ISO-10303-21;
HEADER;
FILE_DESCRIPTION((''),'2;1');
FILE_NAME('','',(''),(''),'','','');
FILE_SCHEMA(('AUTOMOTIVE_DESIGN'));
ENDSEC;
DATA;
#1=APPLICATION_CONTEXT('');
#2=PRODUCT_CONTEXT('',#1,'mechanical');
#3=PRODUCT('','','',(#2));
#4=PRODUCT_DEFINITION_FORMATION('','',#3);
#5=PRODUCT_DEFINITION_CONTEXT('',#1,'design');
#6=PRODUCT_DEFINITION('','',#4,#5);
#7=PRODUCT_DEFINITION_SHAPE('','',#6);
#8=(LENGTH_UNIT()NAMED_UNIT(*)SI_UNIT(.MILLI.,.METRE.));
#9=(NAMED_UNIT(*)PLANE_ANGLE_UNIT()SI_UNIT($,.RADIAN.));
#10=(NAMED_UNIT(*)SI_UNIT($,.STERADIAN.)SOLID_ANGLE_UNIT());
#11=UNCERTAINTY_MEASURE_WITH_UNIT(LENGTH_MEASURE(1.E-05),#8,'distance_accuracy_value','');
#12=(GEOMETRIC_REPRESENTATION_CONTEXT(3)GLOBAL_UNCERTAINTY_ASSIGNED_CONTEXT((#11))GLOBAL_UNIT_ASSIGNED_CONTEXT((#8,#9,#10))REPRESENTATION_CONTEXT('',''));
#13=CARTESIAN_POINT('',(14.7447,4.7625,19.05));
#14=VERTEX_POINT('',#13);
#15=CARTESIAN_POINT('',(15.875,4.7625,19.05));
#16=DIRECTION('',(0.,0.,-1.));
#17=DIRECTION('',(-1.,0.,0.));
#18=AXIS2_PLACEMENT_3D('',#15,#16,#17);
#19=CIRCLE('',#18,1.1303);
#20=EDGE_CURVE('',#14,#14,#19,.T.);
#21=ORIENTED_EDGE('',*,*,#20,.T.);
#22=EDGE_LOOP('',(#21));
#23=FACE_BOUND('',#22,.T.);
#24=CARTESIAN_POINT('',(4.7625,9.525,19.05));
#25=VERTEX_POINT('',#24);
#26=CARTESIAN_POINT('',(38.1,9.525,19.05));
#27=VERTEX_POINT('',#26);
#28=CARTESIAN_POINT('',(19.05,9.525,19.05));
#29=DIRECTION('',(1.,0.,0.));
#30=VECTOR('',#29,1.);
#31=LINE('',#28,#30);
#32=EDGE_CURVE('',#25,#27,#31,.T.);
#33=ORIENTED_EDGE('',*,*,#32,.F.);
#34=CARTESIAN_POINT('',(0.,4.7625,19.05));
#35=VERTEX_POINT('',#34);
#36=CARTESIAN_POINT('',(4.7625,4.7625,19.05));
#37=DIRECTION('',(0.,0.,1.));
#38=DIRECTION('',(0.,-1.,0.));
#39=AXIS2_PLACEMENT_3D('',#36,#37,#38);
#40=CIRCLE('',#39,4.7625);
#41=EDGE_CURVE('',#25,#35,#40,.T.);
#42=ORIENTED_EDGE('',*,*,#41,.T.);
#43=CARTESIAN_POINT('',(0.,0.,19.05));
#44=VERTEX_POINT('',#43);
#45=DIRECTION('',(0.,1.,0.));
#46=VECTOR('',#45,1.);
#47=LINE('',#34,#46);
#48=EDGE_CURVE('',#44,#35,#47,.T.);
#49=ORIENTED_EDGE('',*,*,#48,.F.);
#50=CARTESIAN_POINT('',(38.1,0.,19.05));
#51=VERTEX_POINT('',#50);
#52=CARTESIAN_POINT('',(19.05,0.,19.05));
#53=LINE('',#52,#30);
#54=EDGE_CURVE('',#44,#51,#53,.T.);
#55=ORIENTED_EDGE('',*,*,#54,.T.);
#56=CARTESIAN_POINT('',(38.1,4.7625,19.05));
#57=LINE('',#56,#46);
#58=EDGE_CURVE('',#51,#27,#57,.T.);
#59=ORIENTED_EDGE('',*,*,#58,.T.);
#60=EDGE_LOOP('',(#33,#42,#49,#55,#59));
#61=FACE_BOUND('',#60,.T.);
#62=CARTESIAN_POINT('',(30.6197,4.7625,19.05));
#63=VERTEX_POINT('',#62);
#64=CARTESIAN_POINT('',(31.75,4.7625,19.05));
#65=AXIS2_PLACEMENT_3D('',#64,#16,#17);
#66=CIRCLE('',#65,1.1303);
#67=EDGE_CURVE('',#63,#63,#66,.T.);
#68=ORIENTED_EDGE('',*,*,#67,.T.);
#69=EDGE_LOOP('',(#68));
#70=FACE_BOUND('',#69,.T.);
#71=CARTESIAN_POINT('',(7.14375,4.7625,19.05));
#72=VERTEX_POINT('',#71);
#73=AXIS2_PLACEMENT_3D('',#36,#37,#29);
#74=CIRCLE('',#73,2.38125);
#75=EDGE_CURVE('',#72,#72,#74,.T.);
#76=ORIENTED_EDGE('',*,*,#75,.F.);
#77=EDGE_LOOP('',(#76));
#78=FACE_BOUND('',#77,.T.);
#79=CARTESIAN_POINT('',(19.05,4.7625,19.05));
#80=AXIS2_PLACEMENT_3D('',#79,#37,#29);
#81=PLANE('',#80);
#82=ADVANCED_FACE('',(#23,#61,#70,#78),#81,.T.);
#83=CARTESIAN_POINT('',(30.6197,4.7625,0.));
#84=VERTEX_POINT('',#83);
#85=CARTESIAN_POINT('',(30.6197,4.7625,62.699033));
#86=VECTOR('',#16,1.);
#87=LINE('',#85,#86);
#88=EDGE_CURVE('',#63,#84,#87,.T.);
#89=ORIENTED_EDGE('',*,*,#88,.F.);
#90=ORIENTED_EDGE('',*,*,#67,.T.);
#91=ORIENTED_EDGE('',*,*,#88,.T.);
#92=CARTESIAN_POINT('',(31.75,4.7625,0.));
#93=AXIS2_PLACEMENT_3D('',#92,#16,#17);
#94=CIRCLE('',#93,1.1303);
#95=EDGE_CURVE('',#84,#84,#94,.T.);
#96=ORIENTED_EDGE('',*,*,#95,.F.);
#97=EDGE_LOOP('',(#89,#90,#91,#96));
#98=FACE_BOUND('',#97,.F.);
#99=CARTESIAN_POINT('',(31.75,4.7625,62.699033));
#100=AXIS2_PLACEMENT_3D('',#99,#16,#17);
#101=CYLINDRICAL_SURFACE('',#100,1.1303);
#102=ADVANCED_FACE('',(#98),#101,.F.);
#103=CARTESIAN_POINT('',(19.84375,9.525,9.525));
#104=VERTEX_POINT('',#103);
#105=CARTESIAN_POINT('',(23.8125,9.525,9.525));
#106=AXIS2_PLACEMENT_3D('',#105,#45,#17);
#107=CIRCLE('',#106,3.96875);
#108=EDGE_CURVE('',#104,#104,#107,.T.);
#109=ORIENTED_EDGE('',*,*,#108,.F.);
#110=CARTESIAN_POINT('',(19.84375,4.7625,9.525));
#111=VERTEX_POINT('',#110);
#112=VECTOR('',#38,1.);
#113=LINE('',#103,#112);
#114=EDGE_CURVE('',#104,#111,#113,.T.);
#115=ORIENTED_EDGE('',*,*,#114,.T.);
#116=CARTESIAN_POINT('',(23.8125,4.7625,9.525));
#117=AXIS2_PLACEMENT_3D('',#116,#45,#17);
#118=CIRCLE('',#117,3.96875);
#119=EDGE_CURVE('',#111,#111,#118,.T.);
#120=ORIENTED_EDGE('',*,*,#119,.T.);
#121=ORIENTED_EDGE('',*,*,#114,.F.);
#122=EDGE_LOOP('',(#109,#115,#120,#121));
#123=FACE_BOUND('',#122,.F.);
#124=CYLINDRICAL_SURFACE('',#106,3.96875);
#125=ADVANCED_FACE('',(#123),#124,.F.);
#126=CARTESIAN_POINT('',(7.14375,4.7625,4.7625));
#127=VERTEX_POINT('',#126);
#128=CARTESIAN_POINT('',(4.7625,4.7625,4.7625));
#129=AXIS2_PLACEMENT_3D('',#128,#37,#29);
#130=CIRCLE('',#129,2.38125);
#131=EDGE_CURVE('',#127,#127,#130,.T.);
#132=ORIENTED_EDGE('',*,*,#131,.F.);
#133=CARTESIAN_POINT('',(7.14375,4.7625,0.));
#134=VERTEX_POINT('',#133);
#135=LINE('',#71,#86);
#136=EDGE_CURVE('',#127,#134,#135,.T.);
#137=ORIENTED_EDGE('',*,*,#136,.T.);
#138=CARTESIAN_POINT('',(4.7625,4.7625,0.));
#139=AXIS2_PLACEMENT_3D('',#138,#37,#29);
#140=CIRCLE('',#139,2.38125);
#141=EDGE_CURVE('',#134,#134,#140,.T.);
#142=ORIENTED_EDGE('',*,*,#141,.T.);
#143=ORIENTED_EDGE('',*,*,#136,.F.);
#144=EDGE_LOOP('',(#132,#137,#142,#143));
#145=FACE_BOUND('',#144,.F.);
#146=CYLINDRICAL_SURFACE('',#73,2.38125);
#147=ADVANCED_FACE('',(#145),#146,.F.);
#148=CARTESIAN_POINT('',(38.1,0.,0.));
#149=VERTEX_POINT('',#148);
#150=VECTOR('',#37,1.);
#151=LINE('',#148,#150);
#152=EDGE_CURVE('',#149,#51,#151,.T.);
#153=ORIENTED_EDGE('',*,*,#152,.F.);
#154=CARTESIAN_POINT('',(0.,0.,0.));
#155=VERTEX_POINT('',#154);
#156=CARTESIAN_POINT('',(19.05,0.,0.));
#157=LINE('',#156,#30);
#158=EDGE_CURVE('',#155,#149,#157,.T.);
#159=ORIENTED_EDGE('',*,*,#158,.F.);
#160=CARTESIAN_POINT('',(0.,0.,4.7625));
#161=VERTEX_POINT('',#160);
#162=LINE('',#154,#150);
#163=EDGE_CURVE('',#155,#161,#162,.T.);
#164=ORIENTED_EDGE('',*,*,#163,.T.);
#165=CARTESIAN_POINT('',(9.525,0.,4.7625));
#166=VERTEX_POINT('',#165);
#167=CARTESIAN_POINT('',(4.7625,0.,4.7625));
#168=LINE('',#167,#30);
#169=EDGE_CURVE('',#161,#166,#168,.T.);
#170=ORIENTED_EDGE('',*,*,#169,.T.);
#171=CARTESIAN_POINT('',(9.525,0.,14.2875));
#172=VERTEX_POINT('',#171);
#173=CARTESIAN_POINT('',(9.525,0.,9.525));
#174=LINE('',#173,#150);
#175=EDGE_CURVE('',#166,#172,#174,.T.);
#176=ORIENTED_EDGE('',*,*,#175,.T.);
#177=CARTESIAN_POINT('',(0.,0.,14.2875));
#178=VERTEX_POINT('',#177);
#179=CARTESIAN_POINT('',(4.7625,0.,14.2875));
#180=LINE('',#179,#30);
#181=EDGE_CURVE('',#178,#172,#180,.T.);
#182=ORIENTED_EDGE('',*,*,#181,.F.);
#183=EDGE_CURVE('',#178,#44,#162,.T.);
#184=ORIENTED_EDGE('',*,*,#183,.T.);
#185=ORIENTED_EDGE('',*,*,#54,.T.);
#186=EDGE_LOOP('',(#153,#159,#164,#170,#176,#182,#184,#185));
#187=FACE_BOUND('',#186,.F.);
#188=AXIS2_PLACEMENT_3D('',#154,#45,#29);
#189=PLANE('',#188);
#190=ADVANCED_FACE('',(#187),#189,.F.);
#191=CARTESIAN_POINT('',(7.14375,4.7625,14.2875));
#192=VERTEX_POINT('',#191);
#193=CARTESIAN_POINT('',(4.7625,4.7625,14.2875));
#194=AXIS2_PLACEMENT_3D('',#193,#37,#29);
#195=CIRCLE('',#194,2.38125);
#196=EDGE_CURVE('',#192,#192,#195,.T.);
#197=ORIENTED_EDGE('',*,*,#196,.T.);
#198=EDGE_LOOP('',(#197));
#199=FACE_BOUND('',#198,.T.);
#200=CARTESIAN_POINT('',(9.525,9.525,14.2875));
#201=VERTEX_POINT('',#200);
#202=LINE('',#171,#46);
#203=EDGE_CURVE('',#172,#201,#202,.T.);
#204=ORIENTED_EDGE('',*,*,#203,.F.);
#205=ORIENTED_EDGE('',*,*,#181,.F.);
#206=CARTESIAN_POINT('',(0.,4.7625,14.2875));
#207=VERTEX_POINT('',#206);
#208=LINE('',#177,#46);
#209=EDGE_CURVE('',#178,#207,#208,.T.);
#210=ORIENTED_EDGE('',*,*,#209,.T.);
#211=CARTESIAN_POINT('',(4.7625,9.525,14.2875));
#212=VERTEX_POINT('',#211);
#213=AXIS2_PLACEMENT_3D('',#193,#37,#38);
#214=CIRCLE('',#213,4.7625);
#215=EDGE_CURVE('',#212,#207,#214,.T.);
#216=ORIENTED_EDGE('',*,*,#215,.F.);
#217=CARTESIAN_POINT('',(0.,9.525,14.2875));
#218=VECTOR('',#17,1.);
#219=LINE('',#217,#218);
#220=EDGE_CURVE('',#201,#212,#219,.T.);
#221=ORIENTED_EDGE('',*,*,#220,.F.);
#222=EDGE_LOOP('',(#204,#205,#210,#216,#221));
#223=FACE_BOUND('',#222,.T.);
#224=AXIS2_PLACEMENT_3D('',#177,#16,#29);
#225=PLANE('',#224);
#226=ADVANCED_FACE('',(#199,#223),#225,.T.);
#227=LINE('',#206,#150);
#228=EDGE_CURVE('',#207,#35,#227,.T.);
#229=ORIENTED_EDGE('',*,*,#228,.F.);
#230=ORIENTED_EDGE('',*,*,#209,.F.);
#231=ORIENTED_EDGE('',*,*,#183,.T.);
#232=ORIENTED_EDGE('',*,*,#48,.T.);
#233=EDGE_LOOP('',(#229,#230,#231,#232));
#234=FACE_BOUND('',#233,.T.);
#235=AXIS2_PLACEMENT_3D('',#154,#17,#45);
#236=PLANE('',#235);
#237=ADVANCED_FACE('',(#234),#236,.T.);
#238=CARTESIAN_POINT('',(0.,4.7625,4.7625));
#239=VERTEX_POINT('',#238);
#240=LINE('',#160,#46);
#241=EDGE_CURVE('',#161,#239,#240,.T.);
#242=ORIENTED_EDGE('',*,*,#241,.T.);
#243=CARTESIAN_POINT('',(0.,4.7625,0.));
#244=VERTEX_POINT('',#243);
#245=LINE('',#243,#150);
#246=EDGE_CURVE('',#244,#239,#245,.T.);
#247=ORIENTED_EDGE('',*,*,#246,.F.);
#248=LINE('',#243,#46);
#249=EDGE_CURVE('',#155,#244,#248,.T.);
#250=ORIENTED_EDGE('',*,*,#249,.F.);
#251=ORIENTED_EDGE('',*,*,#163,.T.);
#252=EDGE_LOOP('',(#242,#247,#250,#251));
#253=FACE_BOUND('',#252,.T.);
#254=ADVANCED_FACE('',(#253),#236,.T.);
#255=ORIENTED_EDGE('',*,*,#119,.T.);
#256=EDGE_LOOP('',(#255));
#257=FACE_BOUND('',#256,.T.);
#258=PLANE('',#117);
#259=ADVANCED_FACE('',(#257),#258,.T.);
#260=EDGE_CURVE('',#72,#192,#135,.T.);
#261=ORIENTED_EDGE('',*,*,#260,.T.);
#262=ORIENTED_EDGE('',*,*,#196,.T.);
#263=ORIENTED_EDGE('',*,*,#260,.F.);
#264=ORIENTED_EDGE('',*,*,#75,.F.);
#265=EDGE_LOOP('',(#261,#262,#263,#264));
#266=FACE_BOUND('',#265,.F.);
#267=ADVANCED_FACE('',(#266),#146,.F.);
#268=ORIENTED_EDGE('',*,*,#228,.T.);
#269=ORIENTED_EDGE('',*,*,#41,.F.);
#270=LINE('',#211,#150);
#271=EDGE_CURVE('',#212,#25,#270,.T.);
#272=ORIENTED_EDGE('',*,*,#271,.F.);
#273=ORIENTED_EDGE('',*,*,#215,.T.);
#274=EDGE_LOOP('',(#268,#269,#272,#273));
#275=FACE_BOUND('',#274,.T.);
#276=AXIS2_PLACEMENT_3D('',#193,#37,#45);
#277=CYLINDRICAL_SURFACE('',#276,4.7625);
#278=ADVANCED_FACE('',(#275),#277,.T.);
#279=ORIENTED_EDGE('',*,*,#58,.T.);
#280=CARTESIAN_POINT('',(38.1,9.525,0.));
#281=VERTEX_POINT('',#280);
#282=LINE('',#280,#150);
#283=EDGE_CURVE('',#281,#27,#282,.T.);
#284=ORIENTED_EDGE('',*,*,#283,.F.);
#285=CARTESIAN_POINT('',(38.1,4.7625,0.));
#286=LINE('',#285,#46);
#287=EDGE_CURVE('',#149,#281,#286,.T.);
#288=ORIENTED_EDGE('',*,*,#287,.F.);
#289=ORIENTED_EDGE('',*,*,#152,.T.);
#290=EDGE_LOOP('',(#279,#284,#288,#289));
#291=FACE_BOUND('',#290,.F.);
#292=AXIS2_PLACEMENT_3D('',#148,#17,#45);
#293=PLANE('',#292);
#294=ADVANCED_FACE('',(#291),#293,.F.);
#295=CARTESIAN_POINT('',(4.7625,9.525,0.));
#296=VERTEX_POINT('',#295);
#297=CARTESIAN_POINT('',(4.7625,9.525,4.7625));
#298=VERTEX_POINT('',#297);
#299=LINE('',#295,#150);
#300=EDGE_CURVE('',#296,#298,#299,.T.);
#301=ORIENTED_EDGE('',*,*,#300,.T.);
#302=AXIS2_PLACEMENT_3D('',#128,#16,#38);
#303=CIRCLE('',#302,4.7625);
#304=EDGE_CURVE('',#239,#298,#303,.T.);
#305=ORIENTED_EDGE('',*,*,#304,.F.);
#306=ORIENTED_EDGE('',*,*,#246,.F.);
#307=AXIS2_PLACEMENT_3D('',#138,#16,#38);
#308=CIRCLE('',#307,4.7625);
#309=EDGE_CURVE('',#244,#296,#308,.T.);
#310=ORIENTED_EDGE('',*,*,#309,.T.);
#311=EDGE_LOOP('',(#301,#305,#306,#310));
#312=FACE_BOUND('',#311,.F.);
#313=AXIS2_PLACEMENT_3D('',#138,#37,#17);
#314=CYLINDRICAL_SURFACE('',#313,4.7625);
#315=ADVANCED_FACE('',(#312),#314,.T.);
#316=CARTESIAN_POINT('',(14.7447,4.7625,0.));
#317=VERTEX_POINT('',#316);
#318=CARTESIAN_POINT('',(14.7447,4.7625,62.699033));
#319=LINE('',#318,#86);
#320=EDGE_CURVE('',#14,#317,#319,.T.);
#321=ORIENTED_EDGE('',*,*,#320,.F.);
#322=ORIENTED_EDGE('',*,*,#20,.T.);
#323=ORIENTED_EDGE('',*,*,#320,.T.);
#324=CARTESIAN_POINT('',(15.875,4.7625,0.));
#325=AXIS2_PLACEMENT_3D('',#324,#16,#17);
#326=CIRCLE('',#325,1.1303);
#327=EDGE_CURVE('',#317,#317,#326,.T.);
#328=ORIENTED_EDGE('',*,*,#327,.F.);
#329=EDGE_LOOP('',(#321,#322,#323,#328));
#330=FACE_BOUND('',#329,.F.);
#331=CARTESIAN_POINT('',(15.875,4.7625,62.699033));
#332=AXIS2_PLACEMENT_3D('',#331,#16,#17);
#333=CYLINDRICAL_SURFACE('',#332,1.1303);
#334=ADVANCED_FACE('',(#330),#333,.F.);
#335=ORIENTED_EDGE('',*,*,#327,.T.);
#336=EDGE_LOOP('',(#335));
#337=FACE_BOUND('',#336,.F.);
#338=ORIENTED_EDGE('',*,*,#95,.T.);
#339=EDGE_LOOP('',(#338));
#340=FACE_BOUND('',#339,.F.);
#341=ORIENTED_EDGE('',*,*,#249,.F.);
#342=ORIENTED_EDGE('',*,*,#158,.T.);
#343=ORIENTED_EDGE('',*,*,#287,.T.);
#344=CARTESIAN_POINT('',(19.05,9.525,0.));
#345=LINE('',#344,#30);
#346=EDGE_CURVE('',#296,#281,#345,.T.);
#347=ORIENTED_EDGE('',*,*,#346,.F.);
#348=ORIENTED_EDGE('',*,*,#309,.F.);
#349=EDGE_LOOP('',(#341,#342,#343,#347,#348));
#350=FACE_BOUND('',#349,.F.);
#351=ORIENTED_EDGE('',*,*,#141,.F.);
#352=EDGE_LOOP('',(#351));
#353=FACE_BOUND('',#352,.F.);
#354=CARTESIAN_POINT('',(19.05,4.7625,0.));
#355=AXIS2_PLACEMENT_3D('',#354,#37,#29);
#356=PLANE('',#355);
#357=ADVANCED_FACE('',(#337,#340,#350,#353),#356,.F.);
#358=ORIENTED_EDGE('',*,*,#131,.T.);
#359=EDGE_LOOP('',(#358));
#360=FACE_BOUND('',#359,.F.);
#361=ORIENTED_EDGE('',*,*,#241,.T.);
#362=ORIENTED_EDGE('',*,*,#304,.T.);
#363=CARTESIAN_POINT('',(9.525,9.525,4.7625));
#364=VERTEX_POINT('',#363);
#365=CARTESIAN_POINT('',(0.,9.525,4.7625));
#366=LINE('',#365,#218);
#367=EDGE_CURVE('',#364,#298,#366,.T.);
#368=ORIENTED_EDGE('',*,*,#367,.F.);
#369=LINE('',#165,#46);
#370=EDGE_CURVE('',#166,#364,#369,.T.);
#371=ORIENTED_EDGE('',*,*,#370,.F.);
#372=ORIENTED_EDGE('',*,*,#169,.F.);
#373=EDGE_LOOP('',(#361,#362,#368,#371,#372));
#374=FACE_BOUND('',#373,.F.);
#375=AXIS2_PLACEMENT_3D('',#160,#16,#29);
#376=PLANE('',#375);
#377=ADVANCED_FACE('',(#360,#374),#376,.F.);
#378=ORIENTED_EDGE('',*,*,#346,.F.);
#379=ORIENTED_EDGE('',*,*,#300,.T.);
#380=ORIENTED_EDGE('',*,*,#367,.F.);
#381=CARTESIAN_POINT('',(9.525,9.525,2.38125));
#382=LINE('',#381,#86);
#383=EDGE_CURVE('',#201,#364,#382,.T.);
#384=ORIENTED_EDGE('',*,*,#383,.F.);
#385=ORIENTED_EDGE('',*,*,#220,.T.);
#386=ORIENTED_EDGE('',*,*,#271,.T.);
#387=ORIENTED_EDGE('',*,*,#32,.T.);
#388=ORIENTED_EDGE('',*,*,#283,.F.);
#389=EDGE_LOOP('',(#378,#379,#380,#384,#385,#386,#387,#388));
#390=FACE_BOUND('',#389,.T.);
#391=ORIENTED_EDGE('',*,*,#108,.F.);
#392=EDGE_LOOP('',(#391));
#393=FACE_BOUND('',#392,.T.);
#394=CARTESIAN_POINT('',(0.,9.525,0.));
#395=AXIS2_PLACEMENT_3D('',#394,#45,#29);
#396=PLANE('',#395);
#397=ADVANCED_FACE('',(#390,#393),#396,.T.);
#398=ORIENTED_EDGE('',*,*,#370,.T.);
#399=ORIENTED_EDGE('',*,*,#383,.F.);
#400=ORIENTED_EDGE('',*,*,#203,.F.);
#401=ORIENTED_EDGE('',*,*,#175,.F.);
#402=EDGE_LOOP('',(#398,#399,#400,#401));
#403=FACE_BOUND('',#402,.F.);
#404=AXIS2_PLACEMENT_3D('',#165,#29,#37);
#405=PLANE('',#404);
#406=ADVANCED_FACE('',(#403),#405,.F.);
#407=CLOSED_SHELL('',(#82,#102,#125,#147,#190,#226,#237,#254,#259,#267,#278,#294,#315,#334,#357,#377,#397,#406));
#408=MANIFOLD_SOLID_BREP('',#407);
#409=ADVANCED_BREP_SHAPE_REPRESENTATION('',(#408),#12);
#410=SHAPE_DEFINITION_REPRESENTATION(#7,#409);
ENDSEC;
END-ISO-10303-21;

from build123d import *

# Parameters (mm, degrees)
F0_W      = 38.1
F0_H      = 9.525
F1_DEPTH  = 19.05
F3_D      = 2.2606
F4_W      = 9.525
F4_H      = 9.525
F5_DEPTH  = 9.526
F7_DEPTH  = 19.051
F8_R      = 4.7625
F9_R      = 3.96875
F10_DEPTH = 4.7625


with BuildPart() as f1:
    # F0 (on Top) → F1 (new body)
    with BuildSketch(Plane.XY):
        with Locations((19.05, 4.7625)):
            Rectangle(F0_W, F0_H)
    extrude(amount=F1_DEPTH)

    # F3 (through all)
    with Locations(Plane.XY.offset(19.05)):
        with Locations((15.875, 4.7625), (31.75, 4.7625)):
            Hole(F3_D / 2)

    # F4 (on face) → F5 (cut, through all)
    with BuildSketch(Plane.XZ):
        with Locations((4.7625, 9.525)):
            Rectangle(F4_W, F4_H)
    extrude(amount=-F5_DEPTH, mode=Mode.SUBTRACT)

    # F6 (on face) → F7 (cut, through all)
    with BuildSketch(Plane.XY.offset(19.05)):
        with BuildLine():
            ThreePointArc((2.38125, 4.7625), (4.7625, 2.38125), (7.14375, 4.7625))
            ThreePointArc((7.14375, 4.7625), (4.7625, 7.14375), (2.38125, 4.7625))
        make_face()
    extrude(amount=-F7_DEPTH, mode=Mode.SUBTRACT)

    # F8
    f8_edges = [f1.edges().sort_by_distance(p)[0] for p in [
        (0, 9.525, 16.66875),
        (0, 9.525, 2.38125),
    ]]
    fillet(f8_edges, radius=F8_R)

    # F9 (on face) → F10 (cut)
    with BuildSketch(Plane(origin=(0, 9.525, 0), x_dir=(-1, 0, 0), z_dir=(0, 1, 0))):
        with Locations((-23.8125, 9.525)):
            Circle(F9_R)
    extrude(amount=-F10_DEPTH, mode=Mode.SUBTRACT)


solid = f1.part
